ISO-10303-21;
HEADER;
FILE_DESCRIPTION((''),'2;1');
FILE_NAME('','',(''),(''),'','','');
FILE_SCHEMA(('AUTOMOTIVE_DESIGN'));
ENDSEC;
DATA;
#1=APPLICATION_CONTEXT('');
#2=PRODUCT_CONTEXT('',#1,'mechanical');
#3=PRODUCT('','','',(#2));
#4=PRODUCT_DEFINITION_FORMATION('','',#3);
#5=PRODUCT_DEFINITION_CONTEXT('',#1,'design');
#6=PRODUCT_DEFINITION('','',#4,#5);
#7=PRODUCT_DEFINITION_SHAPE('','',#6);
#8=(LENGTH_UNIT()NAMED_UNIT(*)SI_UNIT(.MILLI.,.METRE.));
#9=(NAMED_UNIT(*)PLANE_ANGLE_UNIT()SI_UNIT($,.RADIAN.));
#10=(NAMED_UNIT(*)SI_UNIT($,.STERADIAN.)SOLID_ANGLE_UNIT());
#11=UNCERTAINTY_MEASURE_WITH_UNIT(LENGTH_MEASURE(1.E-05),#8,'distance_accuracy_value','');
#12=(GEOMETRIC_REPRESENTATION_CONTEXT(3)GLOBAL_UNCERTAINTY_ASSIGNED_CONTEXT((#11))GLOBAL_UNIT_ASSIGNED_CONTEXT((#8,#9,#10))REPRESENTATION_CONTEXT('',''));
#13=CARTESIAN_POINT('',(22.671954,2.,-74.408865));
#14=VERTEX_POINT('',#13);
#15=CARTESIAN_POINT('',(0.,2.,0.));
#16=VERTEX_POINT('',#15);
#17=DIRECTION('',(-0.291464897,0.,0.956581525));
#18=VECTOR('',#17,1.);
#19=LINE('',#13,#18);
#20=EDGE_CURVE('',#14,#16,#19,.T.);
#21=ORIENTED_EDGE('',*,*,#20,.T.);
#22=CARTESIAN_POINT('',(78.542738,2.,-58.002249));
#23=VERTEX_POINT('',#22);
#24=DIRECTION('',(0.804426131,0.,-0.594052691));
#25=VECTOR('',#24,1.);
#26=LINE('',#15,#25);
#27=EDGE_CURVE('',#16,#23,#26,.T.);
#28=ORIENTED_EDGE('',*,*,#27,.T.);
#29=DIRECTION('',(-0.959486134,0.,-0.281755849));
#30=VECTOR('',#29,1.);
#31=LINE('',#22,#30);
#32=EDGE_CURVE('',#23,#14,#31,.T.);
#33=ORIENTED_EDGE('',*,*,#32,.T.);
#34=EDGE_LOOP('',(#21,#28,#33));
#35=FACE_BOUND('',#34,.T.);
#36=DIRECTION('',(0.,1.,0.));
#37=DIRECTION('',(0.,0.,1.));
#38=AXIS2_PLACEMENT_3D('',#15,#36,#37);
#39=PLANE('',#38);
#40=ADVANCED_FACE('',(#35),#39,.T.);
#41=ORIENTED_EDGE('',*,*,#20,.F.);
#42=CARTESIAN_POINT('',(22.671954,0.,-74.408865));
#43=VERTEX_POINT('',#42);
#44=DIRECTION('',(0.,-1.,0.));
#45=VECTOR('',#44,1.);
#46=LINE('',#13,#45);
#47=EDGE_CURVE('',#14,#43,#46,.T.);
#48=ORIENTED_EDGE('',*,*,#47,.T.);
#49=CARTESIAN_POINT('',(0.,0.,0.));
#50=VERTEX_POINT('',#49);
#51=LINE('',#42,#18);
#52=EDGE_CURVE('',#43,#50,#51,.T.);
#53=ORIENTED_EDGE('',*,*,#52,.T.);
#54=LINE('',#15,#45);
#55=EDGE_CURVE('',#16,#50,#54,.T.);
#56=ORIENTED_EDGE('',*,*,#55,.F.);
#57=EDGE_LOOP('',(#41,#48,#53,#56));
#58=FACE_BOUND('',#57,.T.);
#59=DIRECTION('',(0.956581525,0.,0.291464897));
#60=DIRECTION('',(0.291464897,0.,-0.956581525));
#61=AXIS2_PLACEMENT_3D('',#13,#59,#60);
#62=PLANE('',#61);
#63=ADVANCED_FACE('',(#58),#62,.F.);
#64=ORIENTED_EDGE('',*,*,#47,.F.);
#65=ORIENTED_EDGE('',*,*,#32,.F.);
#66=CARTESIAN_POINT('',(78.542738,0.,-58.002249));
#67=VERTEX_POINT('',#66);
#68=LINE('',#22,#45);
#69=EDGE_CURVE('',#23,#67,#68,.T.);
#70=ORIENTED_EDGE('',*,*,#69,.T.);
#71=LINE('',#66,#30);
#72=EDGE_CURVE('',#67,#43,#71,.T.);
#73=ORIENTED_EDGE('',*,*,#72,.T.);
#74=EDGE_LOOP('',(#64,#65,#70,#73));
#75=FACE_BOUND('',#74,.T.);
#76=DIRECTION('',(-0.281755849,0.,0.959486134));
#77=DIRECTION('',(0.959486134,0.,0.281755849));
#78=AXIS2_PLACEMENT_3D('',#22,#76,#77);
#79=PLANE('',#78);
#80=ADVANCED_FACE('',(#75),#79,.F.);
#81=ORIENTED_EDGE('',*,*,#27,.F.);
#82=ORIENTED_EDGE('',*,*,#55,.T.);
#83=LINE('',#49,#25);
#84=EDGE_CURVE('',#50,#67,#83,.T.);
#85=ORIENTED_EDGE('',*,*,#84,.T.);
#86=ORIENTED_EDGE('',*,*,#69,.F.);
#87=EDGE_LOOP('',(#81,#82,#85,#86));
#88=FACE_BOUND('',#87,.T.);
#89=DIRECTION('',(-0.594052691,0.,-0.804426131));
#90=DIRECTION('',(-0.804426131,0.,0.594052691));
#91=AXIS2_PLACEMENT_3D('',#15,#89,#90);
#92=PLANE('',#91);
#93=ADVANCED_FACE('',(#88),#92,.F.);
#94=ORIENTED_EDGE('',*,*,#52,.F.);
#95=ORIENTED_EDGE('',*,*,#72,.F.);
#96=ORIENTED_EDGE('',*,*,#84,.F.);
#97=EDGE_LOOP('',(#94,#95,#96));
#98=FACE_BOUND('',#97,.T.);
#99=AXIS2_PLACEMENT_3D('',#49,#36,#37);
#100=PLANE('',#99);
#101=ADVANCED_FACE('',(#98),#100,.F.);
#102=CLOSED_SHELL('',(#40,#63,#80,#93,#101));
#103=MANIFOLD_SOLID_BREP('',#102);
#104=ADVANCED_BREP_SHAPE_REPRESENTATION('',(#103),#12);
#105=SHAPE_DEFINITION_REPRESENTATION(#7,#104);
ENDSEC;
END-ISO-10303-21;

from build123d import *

# Parameters (mm, degrees)
BOSS_EXTRU_1_DEPTH = 2


with BuildPart() as part:
    # Esquisse1 → Boss.-Extru.1 (new body)
    with BuildSketch(Plane(origin=(0, 0, 0), x_dir=(1, 0, 0), z_dir=(0, 1, 0))):
        Polygon((22.671953786, 74.408864904), (0, 0), (78.542738023, 58.002249204), align=None)
    extrude(amount=BOSS_EXTRU_1_DEPTH)


solid = part.part
